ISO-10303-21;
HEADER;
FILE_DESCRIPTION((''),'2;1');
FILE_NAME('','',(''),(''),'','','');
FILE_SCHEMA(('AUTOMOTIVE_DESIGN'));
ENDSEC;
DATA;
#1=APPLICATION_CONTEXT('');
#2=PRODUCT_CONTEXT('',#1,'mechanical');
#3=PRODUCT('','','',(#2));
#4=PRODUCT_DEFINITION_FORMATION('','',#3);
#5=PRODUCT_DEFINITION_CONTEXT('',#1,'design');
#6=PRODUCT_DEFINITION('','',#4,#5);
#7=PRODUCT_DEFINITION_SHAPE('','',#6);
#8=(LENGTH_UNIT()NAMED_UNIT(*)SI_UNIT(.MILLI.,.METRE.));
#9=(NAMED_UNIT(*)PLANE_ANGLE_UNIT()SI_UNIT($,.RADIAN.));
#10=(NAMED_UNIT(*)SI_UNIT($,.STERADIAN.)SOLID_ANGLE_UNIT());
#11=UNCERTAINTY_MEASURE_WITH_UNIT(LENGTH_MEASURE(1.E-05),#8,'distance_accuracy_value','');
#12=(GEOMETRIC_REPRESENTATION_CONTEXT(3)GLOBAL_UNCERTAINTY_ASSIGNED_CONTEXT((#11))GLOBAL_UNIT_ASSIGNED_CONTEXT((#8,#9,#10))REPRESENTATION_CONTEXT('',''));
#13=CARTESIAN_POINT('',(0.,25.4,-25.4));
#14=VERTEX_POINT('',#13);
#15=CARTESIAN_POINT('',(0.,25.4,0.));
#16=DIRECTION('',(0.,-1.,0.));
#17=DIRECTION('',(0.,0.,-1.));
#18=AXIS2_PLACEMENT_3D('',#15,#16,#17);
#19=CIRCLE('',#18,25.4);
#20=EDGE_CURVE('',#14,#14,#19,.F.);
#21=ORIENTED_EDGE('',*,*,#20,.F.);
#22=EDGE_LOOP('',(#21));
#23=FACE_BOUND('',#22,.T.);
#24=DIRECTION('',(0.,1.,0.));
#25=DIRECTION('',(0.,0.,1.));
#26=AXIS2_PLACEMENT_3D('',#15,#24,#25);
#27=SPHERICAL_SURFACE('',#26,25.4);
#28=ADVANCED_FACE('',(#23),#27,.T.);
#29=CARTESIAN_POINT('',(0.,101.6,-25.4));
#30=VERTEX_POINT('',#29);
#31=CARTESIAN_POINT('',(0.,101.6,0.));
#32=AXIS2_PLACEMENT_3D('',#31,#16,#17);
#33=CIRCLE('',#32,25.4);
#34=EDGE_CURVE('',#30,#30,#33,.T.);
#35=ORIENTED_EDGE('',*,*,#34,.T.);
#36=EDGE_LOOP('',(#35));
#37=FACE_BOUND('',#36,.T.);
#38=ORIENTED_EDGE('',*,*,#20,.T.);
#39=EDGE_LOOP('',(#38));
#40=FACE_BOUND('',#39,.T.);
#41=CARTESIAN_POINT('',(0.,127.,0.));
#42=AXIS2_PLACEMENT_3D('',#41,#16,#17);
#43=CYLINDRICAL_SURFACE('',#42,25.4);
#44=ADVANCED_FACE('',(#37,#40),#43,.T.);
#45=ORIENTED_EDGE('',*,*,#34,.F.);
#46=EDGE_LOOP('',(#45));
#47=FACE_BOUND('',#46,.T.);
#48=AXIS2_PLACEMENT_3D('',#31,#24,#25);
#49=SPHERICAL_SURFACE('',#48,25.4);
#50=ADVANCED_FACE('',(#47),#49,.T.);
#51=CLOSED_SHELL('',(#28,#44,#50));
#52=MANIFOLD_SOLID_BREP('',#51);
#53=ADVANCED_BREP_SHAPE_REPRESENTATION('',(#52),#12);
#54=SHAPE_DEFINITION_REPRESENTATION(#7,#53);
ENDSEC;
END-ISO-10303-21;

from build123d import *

# Parameters (mm, degrees)
SKETCH1_R           = 25.4
BOSS_EXTRUDE1_DEPTH = 127
FILLET1_R           = 25.4


with BuildPart() as part:
    # Sketch1 → Boss-Extrude1 (new body)
    with BuildSketch(Plane(origin=(0, 0, 0), x_dir=(1, 0, 0), z_dir=(0, 1, 0))):
        Circle(SKETCH1_R)
    extrude(amount=BOSS_EXTRUDE1_DEPTH)

    # Fillet1
    fillet1_edges = [part.edges().sort_by_distance(p)[0] for p in [
        (-25.4, 0, 0),
        (-25.4, 127, 0),
    ]]
    fillet(fillet1_edges, radius=FILLET1_R)


solid = part.part
